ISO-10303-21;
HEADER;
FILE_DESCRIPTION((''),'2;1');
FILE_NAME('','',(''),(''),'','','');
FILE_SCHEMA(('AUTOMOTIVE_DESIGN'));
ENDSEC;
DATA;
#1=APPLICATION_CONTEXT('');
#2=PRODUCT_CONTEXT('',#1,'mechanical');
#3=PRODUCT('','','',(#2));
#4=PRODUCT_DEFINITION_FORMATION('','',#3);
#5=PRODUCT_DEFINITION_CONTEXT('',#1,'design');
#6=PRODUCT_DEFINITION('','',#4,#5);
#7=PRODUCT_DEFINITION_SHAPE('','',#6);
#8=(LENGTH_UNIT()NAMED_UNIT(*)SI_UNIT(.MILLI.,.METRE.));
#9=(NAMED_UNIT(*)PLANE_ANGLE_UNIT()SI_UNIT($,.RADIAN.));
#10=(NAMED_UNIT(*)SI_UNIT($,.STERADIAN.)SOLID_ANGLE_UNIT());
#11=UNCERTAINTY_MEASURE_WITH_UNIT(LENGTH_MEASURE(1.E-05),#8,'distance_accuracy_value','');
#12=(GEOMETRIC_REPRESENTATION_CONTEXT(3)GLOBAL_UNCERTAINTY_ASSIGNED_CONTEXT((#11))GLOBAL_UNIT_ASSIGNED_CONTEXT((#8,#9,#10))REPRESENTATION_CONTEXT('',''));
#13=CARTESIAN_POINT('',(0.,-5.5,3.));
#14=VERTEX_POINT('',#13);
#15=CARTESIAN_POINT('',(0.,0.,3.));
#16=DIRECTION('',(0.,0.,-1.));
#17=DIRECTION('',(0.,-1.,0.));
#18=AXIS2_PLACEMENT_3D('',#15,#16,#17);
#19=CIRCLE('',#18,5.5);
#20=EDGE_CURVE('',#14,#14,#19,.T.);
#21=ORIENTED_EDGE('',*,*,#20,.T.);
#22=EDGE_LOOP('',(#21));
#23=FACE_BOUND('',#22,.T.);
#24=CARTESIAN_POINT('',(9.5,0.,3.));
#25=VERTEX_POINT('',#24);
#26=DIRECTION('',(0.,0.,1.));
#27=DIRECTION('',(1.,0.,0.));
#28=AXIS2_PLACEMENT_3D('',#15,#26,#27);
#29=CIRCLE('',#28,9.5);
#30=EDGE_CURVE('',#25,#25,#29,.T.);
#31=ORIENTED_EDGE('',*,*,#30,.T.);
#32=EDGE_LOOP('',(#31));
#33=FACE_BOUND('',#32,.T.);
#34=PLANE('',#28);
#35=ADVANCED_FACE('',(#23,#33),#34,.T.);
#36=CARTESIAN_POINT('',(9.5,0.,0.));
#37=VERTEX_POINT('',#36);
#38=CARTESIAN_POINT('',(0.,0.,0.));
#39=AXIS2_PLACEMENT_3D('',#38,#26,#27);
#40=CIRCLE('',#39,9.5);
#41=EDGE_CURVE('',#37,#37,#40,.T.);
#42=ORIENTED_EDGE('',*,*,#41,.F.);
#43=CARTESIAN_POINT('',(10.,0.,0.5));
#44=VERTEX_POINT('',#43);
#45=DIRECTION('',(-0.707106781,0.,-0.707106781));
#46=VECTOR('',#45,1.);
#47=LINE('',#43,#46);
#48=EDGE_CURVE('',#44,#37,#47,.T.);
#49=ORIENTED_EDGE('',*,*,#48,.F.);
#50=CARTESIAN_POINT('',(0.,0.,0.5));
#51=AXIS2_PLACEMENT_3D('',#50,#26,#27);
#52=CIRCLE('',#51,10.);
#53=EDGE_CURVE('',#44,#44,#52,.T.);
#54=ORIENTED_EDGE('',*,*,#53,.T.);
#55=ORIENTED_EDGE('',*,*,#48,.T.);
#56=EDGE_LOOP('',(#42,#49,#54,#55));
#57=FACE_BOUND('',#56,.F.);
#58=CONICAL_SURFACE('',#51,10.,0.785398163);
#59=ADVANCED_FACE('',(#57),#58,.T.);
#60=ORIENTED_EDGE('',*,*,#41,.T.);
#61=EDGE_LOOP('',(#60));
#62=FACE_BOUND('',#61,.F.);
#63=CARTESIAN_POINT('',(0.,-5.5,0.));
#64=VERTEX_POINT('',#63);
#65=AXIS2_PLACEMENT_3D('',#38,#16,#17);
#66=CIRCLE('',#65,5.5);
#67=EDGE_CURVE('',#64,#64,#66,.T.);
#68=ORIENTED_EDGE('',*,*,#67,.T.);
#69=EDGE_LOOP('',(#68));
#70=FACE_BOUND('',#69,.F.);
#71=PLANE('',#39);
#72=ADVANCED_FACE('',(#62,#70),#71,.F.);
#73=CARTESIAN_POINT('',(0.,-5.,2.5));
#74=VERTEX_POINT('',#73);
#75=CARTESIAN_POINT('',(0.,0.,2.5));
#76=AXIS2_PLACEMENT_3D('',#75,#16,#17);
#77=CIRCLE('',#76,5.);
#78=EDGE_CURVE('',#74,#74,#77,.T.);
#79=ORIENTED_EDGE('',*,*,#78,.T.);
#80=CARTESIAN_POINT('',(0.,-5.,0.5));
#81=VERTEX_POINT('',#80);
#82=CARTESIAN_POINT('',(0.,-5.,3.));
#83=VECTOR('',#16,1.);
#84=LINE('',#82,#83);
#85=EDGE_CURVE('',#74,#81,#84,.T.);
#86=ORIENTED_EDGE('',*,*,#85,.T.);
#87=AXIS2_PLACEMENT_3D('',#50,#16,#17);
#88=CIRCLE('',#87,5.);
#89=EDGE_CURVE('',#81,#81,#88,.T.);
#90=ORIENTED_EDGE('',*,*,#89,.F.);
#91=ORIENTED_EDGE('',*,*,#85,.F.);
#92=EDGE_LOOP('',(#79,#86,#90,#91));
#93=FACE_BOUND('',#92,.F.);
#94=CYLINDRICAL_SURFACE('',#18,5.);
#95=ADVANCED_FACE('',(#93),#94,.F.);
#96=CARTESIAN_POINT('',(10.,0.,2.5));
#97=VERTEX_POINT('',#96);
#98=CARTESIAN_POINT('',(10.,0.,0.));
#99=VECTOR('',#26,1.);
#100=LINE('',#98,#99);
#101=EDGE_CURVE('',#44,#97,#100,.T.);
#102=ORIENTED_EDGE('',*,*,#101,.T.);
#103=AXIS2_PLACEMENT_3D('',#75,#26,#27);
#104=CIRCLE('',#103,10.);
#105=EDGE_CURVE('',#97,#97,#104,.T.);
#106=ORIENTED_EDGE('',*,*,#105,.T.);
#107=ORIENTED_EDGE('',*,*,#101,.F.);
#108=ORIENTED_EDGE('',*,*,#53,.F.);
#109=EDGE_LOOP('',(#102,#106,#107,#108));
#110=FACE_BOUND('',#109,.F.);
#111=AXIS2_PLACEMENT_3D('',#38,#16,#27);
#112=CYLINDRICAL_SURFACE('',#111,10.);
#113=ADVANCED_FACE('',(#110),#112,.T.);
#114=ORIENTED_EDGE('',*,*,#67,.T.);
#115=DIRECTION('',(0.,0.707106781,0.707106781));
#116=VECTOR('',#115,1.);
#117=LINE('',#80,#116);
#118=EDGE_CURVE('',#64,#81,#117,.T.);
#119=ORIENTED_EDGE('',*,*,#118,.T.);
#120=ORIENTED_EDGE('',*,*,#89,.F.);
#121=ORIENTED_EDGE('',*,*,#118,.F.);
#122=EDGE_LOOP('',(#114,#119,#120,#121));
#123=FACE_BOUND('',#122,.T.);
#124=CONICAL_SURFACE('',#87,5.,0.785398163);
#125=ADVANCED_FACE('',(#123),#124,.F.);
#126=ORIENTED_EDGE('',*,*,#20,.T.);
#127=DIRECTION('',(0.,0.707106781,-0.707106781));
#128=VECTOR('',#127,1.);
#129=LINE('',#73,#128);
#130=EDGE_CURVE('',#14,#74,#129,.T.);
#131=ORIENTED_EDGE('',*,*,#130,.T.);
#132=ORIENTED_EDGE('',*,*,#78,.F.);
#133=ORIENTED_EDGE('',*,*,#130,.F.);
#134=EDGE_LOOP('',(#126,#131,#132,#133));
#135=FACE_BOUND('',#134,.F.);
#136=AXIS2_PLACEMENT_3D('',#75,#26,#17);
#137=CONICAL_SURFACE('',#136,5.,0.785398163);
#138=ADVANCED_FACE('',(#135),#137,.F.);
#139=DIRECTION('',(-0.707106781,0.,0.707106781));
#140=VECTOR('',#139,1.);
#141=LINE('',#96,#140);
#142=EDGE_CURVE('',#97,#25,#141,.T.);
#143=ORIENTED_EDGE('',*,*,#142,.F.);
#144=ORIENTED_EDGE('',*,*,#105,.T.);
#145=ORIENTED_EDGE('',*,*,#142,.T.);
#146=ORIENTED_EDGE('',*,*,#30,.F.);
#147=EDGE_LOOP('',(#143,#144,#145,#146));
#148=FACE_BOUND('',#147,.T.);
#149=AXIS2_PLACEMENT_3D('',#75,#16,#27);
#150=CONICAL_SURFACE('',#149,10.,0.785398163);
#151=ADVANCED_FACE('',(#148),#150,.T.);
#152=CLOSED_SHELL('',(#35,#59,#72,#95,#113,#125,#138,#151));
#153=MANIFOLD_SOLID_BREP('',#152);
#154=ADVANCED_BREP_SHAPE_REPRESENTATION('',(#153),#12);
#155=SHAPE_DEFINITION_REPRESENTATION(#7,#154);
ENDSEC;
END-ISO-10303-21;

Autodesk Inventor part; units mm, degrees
ref_plane "YZ Plane" through (0, 0, 0) normal (1, 0, 0) x (0, 1, 0)
ref_plane "XZ Plane" through (0, 0, 0) normal (0, 1, 0) x (-1, 0, 0)
ref_plane "XY Plane" through (0, 0, 0) normal (0, 0, 1) x (1, 0, 0)
sketch "スケッチ1" plane through (0, 0, 0) normal (0, 0, 1) x (1, 0, 0)
  circle A0 centre (0, 0) radius 10
  dimension "d0" = 20
extrude "押し出し1" add sketch "スケッチ1" along normal blind 3
sketch "スケッチ2" plane through (0, 0, 3) normal (0, 0, 1) x (1, 0, 0)
  circle A0 centre (0, 0) radius 10 projected
hole "穴1" at (0, 0, 3) direction (0, 0, -1) diameter 10 end through all
chamfer "面取り1" distance 0.5 angle 45 4 edges at (-10, 0, 3) (-10, 0, 0) (0, 5, 3) (0, 5, 0)
properties part number "WSSM20-10-3" material "MISUMI"
